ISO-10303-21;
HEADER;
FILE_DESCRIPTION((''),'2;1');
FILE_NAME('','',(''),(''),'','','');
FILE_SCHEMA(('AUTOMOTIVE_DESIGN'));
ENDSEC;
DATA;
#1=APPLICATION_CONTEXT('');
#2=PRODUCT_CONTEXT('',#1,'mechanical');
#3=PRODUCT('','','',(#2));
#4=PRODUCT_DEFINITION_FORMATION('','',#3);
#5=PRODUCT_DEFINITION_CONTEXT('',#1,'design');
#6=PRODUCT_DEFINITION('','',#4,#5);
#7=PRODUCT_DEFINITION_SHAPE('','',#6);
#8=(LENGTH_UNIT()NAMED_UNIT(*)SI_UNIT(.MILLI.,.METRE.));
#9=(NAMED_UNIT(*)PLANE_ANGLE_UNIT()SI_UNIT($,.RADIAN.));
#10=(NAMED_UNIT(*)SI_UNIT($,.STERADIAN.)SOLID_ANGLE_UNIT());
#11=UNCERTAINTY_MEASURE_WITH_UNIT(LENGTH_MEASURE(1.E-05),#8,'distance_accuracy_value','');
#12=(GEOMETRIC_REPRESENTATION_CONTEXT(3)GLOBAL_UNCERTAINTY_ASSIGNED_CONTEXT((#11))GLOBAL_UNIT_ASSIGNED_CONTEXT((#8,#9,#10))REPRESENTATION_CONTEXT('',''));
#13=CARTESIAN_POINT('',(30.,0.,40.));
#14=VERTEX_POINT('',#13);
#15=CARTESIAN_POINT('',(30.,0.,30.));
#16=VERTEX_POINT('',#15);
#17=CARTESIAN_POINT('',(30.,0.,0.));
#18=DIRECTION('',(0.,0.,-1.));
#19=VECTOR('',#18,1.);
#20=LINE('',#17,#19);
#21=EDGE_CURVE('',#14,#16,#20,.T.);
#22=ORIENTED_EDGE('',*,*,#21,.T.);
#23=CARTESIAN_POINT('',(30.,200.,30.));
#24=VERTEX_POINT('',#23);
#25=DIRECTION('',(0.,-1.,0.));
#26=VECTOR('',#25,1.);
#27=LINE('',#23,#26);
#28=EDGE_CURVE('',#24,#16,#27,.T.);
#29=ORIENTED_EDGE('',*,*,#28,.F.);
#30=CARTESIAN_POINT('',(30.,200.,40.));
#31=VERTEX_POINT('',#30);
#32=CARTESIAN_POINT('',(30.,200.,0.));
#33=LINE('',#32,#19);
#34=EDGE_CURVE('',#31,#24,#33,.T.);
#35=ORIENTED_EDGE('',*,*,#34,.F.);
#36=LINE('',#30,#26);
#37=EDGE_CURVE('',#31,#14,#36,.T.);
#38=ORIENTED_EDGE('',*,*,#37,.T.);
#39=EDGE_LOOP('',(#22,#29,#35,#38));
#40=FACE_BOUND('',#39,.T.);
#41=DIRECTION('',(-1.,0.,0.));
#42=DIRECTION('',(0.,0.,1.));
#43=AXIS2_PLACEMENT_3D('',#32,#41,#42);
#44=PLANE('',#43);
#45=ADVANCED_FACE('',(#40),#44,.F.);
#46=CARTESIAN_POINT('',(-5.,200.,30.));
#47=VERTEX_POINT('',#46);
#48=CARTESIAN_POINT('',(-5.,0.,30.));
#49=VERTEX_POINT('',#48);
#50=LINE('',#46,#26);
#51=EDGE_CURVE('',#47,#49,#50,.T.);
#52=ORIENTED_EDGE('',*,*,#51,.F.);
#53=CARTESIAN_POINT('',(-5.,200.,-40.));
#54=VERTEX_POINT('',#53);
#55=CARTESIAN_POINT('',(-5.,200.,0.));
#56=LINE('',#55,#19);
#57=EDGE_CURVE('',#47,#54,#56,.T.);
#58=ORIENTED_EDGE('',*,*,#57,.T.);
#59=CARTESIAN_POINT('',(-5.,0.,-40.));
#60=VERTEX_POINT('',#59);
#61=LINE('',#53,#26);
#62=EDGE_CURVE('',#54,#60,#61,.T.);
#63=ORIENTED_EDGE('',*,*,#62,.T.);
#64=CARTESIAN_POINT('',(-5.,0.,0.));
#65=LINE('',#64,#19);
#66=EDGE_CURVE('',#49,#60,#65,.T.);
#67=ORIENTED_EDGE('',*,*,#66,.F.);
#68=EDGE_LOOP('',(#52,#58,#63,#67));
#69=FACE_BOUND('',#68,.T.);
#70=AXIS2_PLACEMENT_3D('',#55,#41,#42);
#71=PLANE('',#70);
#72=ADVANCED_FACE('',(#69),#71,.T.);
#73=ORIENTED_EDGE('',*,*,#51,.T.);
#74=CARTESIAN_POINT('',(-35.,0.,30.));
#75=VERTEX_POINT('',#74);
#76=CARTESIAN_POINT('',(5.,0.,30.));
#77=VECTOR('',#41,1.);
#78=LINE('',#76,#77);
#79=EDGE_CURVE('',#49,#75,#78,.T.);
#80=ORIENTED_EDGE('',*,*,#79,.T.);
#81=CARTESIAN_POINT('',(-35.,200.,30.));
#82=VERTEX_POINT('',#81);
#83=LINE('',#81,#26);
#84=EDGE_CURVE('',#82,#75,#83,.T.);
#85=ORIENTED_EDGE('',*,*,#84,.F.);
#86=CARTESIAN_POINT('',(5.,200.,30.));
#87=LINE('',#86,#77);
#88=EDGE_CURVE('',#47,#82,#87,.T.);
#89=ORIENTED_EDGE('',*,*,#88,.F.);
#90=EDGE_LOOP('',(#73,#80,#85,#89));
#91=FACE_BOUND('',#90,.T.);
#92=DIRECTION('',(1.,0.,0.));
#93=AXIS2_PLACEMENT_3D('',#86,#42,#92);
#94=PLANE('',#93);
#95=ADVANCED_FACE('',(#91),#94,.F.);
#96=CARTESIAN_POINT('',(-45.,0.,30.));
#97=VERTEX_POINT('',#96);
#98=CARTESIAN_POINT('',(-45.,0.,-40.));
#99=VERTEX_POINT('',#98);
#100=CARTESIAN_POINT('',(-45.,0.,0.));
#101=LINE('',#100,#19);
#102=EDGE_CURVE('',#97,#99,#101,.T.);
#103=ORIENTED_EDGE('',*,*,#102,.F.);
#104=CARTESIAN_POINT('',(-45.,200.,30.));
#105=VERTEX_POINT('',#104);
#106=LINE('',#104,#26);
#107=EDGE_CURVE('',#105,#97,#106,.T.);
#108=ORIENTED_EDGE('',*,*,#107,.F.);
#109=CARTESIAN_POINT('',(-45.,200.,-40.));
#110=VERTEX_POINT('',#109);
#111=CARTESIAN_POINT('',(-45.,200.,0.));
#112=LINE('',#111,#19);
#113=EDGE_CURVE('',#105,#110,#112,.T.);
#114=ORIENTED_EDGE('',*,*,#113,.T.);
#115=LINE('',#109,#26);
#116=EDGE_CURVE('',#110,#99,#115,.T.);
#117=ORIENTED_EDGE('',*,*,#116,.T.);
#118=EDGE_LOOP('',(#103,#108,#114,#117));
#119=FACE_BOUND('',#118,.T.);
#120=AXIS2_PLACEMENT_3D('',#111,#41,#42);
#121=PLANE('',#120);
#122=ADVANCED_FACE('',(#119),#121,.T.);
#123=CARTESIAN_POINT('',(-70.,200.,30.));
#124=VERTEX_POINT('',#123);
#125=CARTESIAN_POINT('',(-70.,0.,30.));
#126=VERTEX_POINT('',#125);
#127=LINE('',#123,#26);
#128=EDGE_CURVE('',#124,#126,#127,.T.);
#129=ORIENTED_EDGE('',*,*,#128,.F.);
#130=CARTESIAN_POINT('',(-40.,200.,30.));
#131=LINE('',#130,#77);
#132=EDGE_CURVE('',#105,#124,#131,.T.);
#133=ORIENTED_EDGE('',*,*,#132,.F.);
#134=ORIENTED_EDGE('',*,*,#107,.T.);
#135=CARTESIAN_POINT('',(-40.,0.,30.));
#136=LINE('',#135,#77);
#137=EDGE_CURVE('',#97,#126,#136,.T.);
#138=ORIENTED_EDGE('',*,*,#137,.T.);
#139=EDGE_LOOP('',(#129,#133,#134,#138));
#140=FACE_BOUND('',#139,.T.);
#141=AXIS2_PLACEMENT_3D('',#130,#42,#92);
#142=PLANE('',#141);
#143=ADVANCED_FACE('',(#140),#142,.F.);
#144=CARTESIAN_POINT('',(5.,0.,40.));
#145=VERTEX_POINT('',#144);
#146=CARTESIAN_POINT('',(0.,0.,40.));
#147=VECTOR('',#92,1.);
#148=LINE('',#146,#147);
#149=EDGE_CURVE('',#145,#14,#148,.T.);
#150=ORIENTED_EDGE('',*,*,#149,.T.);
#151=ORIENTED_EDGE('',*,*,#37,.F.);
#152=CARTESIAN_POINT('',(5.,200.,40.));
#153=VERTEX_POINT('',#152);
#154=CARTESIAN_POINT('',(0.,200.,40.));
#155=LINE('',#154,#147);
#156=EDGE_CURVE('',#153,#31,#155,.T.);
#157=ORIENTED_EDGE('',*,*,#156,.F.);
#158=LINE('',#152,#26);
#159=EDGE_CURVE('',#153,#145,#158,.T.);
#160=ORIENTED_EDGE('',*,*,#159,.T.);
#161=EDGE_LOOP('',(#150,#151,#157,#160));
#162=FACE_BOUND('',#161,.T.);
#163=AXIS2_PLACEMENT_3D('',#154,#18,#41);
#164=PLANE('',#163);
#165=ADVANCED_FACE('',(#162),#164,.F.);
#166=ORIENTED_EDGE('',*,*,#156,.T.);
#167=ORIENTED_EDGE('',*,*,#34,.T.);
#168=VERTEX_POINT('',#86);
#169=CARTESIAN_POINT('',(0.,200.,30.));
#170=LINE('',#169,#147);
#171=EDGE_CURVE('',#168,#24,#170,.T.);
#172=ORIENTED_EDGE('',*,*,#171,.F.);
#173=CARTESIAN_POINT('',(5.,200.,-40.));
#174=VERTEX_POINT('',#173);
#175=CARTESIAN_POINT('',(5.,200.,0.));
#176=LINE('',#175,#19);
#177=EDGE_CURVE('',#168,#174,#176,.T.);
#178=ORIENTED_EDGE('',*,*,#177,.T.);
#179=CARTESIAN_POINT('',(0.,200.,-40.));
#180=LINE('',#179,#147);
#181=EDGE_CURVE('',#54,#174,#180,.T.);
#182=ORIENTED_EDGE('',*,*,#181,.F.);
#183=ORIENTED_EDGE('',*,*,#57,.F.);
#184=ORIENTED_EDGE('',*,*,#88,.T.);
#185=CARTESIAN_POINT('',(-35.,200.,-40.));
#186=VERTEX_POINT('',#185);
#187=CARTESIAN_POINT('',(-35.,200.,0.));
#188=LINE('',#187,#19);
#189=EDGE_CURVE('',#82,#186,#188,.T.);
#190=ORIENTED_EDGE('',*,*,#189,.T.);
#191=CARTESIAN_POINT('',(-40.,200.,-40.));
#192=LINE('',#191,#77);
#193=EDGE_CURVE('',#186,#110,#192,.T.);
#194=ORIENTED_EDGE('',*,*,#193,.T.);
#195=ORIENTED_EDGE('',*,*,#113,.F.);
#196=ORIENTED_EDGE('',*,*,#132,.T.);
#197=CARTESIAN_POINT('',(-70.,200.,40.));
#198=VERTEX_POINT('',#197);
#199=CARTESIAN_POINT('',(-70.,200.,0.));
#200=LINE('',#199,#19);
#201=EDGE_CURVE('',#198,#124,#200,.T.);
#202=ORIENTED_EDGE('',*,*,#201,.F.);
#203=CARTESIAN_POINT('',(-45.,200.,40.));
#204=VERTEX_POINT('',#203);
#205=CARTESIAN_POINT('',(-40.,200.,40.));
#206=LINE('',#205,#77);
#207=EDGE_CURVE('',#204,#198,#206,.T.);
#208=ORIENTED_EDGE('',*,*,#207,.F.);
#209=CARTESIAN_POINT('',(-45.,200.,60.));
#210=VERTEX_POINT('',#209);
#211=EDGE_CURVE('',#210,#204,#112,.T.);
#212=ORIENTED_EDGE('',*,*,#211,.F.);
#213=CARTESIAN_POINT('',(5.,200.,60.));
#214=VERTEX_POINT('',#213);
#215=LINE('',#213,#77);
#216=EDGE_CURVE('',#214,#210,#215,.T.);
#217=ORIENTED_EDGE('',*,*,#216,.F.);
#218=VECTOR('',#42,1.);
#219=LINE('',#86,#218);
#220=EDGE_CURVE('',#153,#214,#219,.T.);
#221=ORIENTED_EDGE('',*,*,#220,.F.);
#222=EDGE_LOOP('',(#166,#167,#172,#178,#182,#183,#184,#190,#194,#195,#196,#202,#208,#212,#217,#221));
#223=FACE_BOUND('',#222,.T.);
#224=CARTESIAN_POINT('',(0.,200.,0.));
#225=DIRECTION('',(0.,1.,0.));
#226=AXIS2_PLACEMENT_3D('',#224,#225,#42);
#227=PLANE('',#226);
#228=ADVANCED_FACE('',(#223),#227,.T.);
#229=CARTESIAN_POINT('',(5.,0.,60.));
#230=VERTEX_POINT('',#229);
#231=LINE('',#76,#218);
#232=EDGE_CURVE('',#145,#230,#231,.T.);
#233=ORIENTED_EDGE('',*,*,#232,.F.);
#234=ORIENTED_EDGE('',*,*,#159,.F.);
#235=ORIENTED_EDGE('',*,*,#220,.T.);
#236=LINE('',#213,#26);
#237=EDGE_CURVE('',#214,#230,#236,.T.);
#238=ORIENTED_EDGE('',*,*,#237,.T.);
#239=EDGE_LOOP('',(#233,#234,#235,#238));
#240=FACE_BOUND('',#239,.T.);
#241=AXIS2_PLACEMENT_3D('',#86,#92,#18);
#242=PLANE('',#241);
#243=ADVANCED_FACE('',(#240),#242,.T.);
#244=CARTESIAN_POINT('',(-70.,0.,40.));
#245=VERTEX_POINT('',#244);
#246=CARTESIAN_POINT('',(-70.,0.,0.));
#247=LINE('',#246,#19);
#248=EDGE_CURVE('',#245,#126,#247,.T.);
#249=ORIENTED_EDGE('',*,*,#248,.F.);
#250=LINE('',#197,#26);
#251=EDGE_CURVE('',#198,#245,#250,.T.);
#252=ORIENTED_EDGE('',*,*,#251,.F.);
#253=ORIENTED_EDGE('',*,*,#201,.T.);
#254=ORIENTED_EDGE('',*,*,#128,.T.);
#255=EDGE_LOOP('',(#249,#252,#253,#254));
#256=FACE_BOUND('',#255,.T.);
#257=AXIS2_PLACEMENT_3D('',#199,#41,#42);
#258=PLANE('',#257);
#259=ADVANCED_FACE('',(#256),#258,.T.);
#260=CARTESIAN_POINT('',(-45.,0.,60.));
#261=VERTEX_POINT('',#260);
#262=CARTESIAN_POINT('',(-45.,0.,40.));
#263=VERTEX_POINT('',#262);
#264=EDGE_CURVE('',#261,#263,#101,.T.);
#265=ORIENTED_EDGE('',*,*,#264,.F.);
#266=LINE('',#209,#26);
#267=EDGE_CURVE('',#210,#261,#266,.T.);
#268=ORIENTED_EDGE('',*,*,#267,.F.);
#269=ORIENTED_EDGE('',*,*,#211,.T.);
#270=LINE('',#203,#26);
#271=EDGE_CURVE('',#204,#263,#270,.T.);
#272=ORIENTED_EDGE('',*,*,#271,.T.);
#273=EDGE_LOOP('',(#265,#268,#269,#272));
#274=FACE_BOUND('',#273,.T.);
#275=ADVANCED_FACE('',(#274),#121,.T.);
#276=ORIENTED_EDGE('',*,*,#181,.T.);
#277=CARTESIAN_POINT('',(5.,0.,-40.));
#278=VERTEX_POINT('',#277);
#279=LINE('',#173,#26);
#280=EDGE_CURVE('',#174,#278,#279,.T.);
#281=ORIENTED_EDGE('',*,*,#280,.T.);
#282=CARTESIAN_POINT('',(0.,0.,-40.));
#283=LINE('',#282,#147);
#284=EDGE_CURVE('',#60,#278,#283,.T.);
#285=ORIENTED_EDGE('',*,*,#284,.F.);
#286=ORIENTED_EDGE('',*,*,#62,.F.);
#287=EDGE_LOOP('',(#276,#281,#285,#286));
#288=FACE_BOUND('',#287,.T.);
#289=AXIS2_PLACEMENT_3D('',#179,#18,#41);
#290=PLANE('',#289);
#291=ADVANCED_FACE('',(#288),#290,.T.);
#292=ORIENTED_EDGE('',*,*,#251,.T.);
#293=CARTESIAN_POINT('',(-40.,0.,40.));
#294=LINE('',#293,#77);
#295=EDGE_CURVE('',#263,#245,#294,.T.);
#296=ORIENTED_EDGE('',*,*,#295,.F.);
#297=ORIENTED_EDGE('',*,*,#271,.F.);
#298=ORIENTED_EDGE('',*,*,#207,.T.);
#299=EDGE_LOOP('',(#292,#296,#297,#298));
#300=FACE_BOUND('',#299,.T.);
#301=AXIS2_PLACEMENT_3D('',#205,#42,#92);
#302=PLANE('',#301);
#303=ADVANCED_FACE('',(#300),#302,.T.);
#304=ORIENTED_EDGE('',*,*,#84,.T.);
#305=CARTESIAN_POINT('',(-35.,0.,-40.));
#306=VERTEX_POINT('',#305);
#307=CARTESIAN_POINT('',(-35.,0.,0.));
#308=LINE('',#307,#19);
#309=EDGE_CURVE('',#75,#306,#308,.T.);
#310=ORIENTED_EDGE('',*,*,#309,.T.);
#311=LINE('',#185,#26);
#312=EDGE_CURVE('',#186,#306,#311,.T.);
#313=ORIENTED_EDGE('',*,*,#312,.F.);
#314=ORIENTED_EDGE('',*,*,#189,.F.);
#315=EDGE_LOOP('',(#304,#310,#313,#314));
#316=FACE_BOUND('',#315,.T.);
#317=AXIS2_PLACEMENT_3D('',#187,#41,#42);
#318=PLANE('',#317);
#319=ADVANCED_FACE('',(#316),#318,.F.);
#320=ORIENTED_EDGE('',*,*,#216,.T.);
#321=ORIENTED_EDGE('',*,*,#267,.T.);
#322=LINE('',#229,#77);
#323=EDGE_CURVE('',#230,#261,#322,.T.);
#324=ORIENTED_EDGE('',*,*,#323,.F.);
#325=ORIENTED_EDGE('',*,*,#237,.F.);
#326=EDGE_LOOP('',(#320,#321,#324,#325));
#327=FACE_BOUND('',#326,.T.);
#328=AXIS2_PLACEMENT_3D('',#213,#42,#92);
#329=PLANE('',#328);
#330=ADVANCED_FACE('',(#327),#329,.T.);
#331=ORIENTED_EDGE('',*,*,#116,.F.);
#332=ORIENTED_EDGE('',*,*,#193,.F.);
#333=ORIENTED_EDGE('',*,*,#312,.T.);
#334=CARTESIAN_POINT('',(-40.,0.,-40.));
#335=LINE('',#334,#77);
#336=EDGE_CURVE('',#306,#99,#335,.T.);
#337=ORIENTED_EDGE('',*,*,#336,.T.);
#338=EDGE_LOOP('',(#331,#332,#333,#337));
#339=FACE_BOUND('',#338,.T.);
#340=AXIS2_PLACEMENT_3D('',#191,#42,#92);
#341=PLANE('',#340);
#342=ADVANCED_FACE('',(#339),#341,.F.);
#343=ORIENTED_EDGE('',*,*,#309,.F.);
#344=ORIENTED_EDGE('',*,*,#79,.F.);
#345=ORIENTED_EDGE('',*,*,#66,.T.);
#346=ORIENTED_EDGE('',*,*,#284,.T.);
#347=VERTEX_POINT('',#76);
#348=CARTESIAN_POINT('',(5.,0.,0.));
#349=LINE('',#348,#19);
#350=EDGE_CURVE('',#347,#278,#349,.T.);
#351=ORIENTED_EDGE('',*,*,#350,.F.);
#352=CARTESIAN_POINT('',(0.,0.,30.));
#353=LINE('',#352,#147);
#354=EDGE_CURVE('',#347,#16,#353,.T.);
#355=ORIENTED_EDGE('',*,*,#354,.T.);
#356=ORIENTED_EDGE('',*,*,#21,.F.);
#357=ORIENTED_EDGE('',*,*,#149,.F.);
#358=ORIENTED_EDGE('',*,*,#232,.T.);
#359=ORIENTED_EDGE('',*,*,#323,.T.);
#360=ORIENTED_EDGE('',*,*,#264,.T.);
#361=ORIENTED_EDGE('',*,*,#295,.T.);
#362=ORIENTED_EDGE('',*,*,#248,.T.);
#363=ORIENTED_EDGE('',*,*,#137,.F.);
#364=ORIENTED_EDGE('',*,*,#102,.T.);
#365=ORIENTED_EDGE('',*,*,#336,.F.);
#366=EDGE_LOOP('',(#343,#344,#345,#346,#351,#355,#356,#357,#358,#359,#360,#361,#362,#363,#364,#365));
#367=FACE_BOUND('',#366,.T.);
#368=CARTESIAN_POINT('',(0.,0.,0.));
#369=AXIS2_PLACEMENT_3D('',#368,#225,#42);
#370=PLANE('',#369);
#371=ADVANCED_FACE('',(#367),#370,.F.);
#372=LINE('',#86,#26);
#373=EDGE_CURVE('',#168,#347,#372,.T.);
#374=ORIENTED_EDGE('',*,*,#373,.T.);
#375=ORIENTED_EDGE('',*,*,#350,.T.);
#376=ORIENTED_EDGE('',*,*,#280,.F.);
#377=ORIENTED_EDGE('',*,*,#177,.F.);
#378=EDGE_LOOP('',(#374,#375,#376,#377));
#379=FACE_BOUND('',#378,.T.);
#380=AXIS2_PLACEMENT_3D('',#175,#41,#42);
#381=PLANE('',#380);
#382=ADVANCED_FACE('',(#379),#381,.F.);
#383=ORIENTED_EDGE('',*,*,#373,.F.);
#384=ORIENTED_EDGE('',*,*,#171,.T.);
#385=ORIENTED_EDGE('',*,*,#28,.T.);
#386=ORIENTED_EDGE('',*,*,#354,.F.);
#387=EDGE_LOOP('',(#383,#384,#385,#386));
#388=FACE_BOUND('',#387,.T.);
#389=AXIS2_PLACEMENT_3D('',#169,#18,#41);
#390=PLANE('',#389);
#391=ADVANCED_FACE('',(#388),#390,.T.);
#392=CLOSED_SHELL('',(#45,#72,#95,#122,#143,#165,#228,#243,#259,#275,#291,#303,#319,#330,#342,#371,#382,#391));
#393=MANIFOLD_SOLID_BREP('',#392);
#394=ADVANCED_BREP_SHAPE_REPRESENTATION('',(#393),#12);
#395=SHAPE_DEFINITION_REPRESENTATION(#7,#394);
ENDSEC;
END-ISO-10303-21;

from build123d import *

# Parameters (mm, degrees)
SKETCH_1_W      = 10
SKETCH_1_H      = 10
SKETCH_1_W_2    = 25
EXTRUDE_1_DEPTH = 200


with BuildPart() as part:
    # Эскиз1 → Бобышка-Вытянуть1 (new body)
    with BuildSketch(Plane(origin=(0, 0, 0), x_dir=(1, 0, 0), z_dir=(0, 1, 0))):
        Polygon((-5, 40), (-5, 2), (0, 40), align=None)
        Polygon((0, 40), (-5, 2), (-5, -30), (5, -30), (5, 40), align=None)
        with Locations((0, -35)):
            Rectangle(SKETCH_1_W, SKETCH_1_H)
        Polygon((-5, -40), (-5, -30), (-20, -30), (-20, -60), (5, -60), (5, -40), align=None)
        with Locations((17.5, -35)):
            Rectangle(SKETCH_1_W_2, SKETCH_1_H)
    extrude_1 = extrude(amount=EXTRUDE_1_DEPTH)

    # Зеркальное отражение1: Бобышка-Вытянуть1 across plane
    add(extrude_1.mirror(Plane(origin=(-20, 200, 30), x_dir=(0, 0, 1), z_dir=(1, 0, 0))))


solid = part.part
